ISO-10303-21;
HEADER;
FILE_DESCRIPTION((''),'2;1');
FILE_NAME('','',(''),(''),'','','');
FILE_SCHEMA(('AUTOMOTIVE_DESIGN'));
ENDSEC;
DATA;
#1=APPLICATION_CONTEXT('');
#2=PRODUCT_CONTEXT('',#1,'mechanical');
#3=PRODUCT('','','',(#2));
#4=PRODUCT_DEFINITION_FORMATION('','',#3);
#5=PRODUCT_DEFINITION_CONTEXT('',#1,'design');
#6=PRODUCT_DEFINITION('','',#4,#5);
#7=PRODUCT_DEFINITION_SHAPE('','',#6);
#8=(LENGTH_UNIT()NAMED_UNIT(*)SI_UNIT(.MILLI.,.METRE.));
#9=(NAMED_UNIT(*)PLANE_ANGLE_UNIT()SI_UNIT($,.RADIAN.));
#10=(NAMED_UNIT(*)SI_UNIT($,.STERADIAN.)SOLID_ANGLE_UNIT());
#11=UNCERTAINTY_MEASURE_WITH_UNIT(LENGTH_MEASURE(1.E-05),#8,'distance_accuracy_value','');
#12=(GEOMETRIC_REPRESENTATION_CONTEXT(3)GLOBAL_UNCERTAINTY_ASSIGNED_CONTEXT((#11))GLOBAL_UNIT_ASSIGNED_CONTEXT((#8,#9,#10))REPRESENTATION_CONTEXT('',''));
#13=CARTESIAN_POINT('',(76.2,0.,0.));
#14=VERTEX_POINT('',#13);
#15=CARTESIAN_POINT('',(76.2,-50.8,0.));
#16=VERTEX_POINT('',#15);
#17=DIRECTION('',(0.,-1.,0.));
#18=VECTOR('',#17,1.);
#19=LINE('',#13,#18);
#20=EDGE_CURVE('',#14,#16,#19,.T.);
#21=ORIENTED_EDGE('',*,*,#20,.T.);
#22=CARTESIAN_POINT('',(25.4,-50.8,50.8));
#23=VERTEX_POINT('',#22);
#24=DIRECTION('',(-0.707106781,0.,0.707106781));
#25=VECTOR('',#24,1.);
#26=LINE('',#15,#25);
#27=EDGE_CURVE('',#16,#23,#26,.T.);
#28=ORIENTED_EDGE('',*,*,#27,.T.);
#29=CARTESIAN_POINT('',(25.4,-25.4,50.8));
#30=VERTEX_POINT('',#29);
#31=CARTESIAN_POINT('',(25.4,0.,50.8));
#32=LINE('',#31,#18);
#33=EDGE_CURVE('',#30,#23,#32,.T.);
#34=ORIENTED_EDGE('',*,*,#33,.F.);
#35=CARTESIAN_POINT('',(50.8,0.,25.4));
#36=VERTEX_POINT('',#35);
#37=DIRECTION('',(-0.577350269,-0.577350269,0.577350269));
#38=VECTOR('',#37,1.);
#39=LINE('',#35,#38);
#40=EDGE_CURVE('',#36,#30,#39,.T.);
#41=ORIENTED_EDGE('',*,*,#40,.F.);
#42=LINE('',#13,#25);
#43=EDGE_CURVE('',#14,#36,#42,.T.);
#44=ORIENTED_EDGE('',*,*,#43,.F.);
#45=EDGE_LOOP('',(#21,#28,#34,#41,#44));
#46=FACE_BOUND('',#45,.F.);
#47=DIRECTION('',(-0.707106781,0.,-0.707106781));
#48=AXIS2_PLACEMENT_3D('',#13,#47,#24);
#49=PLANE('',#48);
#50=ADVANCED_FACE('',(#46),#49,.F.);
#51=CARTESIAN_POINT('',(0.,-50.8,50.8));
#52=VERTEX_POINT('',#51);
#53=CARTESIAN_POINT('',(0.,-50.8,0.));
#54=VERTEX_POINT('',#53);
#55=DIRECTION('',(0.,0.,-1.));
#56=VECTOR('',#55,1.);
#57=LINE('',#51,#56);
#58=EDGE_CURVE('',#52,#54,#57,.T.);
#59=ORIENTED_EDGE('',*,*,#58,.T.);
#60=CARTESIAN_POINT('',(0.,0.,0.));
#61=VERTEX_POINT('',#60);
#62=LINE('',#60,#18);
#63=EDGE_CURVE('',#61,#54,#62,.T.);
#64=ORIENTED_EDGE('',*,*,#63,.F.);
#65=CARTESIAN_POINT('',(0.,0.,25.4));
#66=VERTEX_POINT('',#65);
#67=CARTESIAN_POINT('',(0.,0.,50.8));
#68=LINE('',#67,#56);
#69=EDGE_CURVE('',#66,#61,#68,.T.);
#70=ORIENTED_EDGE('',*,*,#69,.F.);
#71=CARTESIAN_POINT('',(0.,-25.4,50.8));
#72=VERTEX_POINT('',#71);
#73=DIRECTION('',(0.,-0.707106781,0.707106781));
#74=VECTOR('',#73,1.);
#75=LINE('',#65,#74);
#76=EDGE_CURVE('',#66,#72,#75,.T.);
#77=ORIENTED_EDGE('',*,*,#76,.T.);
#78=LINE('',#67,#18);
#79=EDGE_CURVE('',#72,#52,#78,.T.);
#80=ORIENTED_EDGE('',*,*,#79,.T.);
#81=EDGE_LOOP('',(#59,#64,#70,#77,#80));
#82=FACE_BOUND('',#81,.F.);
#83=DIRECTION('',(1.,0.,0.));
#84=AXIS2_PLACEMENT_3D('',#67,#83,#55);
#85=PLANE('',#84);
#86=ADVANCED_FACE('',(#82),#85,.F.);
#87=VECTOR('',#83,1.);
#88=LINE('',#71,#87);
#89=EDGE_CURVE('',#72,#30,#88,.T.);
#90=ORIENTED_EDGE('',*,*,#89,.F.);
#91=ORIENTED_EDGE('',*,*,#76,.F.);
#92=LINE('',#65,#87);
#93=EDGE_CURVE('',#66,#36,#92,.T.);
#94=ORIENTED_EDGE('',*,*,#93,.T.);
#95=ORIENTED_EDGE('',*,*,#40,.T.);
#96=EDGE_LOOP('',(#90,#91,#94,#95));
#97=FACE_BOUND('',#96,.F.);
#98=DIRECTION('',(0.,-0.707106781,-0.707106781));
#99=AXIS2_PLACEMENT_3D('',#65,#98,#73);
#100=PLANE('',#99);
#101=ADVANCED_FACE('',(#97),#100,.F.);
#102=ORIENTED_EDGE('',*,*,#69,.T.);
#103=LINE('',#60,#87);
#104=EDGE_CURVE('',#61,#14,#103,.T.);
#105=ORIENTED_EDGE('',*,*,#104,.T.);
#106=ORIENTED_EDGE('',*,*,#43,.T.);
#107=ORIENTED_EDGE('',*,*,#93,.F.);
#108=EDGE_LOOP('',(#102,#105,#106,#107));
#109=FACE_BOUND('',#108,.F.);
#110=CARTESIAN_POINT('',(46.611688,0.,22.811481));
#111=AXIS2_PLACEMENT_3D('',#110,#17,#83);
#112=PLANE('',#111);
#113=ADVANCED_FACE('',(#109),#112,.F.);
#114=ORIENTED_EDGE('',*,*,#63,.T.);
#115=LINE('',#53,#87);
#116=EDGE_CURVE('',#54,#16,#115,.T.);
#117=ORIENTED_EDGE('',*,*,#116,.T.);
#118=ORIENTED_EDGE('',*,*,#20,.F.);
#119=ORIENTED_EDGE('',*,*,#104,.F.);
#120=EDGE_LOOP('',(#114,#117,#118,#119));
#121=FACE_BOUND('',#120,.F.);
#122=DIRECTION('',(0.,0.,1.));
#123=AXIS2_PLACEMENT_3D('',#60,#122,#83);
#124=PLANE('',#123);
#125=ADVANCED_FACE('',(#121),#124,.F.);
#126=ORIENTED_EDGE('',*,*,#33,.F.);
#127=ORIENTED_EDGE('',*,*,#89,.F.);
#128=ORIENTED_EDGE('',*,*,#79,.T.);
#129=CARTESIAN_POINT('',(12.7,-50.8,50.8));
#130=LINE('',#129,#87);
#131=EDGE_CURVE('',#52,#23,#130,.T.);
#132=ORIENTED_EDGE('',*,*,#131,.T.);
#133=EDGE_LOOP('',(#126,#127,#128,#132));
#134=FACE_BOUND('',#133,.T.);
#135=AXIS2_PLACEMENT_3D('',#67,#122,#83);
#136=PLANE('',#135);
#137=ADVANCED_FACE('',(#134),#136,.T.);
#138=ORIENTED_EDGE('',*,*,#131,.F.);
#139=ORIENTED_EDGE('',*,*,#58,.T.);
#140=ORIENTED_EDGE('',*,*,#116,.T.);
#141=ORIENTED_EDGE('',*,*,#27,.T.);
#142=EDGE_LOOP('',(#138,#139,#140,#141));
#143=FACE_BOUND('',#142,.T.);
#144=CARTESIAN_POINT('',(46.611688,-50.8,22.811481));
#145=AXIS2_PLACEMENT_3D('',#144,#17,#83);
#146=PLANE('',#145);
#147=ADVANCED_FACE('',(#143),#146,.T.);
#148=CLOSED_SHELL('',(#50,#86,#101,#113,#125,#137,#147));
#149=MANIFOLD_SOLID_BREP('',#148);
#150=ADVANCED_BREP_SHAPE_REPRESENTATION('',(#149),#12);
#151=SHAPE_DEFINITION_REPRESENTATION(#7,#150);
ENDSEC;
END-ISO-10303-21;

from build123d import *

# Parameters (mm, degrees)
F0_W     = 25.4
F0_H     = 25.4
F1_DEPTH = 50.8
F3_DEPTH = 76.201


with BuildPart() as f1:
    # F0 (on Front) → F1 (new body)
    with BuildSketch(Plane.XZ):
        Polygon((25.4, 25.4), (76.2, 0), (25.4, 50.8), align=None)
        with Locations((12.7, 38.1)):
            Rectangle(F0_W, F0_H)
        Polygon((0, 25.4), (0, 0), (76.2, 0), (25.4, 25.4), align=None)
    extrude(amount=F1_DEPTH)

    # F2 (on face) → F3 (cut, through all)
    with BuildSketch(Plane(origin=(0, 0, 0), x_dir=(0, -1, 0), z_dir=(-1, 0, 0))):
        Polygon((0, 25.4), (25.4, 50.8), (0, 50.8), align=None)
    extrude(amount=-F3_DEPTH, mode=Mode.SUBTRACT)


solid = f1.part
